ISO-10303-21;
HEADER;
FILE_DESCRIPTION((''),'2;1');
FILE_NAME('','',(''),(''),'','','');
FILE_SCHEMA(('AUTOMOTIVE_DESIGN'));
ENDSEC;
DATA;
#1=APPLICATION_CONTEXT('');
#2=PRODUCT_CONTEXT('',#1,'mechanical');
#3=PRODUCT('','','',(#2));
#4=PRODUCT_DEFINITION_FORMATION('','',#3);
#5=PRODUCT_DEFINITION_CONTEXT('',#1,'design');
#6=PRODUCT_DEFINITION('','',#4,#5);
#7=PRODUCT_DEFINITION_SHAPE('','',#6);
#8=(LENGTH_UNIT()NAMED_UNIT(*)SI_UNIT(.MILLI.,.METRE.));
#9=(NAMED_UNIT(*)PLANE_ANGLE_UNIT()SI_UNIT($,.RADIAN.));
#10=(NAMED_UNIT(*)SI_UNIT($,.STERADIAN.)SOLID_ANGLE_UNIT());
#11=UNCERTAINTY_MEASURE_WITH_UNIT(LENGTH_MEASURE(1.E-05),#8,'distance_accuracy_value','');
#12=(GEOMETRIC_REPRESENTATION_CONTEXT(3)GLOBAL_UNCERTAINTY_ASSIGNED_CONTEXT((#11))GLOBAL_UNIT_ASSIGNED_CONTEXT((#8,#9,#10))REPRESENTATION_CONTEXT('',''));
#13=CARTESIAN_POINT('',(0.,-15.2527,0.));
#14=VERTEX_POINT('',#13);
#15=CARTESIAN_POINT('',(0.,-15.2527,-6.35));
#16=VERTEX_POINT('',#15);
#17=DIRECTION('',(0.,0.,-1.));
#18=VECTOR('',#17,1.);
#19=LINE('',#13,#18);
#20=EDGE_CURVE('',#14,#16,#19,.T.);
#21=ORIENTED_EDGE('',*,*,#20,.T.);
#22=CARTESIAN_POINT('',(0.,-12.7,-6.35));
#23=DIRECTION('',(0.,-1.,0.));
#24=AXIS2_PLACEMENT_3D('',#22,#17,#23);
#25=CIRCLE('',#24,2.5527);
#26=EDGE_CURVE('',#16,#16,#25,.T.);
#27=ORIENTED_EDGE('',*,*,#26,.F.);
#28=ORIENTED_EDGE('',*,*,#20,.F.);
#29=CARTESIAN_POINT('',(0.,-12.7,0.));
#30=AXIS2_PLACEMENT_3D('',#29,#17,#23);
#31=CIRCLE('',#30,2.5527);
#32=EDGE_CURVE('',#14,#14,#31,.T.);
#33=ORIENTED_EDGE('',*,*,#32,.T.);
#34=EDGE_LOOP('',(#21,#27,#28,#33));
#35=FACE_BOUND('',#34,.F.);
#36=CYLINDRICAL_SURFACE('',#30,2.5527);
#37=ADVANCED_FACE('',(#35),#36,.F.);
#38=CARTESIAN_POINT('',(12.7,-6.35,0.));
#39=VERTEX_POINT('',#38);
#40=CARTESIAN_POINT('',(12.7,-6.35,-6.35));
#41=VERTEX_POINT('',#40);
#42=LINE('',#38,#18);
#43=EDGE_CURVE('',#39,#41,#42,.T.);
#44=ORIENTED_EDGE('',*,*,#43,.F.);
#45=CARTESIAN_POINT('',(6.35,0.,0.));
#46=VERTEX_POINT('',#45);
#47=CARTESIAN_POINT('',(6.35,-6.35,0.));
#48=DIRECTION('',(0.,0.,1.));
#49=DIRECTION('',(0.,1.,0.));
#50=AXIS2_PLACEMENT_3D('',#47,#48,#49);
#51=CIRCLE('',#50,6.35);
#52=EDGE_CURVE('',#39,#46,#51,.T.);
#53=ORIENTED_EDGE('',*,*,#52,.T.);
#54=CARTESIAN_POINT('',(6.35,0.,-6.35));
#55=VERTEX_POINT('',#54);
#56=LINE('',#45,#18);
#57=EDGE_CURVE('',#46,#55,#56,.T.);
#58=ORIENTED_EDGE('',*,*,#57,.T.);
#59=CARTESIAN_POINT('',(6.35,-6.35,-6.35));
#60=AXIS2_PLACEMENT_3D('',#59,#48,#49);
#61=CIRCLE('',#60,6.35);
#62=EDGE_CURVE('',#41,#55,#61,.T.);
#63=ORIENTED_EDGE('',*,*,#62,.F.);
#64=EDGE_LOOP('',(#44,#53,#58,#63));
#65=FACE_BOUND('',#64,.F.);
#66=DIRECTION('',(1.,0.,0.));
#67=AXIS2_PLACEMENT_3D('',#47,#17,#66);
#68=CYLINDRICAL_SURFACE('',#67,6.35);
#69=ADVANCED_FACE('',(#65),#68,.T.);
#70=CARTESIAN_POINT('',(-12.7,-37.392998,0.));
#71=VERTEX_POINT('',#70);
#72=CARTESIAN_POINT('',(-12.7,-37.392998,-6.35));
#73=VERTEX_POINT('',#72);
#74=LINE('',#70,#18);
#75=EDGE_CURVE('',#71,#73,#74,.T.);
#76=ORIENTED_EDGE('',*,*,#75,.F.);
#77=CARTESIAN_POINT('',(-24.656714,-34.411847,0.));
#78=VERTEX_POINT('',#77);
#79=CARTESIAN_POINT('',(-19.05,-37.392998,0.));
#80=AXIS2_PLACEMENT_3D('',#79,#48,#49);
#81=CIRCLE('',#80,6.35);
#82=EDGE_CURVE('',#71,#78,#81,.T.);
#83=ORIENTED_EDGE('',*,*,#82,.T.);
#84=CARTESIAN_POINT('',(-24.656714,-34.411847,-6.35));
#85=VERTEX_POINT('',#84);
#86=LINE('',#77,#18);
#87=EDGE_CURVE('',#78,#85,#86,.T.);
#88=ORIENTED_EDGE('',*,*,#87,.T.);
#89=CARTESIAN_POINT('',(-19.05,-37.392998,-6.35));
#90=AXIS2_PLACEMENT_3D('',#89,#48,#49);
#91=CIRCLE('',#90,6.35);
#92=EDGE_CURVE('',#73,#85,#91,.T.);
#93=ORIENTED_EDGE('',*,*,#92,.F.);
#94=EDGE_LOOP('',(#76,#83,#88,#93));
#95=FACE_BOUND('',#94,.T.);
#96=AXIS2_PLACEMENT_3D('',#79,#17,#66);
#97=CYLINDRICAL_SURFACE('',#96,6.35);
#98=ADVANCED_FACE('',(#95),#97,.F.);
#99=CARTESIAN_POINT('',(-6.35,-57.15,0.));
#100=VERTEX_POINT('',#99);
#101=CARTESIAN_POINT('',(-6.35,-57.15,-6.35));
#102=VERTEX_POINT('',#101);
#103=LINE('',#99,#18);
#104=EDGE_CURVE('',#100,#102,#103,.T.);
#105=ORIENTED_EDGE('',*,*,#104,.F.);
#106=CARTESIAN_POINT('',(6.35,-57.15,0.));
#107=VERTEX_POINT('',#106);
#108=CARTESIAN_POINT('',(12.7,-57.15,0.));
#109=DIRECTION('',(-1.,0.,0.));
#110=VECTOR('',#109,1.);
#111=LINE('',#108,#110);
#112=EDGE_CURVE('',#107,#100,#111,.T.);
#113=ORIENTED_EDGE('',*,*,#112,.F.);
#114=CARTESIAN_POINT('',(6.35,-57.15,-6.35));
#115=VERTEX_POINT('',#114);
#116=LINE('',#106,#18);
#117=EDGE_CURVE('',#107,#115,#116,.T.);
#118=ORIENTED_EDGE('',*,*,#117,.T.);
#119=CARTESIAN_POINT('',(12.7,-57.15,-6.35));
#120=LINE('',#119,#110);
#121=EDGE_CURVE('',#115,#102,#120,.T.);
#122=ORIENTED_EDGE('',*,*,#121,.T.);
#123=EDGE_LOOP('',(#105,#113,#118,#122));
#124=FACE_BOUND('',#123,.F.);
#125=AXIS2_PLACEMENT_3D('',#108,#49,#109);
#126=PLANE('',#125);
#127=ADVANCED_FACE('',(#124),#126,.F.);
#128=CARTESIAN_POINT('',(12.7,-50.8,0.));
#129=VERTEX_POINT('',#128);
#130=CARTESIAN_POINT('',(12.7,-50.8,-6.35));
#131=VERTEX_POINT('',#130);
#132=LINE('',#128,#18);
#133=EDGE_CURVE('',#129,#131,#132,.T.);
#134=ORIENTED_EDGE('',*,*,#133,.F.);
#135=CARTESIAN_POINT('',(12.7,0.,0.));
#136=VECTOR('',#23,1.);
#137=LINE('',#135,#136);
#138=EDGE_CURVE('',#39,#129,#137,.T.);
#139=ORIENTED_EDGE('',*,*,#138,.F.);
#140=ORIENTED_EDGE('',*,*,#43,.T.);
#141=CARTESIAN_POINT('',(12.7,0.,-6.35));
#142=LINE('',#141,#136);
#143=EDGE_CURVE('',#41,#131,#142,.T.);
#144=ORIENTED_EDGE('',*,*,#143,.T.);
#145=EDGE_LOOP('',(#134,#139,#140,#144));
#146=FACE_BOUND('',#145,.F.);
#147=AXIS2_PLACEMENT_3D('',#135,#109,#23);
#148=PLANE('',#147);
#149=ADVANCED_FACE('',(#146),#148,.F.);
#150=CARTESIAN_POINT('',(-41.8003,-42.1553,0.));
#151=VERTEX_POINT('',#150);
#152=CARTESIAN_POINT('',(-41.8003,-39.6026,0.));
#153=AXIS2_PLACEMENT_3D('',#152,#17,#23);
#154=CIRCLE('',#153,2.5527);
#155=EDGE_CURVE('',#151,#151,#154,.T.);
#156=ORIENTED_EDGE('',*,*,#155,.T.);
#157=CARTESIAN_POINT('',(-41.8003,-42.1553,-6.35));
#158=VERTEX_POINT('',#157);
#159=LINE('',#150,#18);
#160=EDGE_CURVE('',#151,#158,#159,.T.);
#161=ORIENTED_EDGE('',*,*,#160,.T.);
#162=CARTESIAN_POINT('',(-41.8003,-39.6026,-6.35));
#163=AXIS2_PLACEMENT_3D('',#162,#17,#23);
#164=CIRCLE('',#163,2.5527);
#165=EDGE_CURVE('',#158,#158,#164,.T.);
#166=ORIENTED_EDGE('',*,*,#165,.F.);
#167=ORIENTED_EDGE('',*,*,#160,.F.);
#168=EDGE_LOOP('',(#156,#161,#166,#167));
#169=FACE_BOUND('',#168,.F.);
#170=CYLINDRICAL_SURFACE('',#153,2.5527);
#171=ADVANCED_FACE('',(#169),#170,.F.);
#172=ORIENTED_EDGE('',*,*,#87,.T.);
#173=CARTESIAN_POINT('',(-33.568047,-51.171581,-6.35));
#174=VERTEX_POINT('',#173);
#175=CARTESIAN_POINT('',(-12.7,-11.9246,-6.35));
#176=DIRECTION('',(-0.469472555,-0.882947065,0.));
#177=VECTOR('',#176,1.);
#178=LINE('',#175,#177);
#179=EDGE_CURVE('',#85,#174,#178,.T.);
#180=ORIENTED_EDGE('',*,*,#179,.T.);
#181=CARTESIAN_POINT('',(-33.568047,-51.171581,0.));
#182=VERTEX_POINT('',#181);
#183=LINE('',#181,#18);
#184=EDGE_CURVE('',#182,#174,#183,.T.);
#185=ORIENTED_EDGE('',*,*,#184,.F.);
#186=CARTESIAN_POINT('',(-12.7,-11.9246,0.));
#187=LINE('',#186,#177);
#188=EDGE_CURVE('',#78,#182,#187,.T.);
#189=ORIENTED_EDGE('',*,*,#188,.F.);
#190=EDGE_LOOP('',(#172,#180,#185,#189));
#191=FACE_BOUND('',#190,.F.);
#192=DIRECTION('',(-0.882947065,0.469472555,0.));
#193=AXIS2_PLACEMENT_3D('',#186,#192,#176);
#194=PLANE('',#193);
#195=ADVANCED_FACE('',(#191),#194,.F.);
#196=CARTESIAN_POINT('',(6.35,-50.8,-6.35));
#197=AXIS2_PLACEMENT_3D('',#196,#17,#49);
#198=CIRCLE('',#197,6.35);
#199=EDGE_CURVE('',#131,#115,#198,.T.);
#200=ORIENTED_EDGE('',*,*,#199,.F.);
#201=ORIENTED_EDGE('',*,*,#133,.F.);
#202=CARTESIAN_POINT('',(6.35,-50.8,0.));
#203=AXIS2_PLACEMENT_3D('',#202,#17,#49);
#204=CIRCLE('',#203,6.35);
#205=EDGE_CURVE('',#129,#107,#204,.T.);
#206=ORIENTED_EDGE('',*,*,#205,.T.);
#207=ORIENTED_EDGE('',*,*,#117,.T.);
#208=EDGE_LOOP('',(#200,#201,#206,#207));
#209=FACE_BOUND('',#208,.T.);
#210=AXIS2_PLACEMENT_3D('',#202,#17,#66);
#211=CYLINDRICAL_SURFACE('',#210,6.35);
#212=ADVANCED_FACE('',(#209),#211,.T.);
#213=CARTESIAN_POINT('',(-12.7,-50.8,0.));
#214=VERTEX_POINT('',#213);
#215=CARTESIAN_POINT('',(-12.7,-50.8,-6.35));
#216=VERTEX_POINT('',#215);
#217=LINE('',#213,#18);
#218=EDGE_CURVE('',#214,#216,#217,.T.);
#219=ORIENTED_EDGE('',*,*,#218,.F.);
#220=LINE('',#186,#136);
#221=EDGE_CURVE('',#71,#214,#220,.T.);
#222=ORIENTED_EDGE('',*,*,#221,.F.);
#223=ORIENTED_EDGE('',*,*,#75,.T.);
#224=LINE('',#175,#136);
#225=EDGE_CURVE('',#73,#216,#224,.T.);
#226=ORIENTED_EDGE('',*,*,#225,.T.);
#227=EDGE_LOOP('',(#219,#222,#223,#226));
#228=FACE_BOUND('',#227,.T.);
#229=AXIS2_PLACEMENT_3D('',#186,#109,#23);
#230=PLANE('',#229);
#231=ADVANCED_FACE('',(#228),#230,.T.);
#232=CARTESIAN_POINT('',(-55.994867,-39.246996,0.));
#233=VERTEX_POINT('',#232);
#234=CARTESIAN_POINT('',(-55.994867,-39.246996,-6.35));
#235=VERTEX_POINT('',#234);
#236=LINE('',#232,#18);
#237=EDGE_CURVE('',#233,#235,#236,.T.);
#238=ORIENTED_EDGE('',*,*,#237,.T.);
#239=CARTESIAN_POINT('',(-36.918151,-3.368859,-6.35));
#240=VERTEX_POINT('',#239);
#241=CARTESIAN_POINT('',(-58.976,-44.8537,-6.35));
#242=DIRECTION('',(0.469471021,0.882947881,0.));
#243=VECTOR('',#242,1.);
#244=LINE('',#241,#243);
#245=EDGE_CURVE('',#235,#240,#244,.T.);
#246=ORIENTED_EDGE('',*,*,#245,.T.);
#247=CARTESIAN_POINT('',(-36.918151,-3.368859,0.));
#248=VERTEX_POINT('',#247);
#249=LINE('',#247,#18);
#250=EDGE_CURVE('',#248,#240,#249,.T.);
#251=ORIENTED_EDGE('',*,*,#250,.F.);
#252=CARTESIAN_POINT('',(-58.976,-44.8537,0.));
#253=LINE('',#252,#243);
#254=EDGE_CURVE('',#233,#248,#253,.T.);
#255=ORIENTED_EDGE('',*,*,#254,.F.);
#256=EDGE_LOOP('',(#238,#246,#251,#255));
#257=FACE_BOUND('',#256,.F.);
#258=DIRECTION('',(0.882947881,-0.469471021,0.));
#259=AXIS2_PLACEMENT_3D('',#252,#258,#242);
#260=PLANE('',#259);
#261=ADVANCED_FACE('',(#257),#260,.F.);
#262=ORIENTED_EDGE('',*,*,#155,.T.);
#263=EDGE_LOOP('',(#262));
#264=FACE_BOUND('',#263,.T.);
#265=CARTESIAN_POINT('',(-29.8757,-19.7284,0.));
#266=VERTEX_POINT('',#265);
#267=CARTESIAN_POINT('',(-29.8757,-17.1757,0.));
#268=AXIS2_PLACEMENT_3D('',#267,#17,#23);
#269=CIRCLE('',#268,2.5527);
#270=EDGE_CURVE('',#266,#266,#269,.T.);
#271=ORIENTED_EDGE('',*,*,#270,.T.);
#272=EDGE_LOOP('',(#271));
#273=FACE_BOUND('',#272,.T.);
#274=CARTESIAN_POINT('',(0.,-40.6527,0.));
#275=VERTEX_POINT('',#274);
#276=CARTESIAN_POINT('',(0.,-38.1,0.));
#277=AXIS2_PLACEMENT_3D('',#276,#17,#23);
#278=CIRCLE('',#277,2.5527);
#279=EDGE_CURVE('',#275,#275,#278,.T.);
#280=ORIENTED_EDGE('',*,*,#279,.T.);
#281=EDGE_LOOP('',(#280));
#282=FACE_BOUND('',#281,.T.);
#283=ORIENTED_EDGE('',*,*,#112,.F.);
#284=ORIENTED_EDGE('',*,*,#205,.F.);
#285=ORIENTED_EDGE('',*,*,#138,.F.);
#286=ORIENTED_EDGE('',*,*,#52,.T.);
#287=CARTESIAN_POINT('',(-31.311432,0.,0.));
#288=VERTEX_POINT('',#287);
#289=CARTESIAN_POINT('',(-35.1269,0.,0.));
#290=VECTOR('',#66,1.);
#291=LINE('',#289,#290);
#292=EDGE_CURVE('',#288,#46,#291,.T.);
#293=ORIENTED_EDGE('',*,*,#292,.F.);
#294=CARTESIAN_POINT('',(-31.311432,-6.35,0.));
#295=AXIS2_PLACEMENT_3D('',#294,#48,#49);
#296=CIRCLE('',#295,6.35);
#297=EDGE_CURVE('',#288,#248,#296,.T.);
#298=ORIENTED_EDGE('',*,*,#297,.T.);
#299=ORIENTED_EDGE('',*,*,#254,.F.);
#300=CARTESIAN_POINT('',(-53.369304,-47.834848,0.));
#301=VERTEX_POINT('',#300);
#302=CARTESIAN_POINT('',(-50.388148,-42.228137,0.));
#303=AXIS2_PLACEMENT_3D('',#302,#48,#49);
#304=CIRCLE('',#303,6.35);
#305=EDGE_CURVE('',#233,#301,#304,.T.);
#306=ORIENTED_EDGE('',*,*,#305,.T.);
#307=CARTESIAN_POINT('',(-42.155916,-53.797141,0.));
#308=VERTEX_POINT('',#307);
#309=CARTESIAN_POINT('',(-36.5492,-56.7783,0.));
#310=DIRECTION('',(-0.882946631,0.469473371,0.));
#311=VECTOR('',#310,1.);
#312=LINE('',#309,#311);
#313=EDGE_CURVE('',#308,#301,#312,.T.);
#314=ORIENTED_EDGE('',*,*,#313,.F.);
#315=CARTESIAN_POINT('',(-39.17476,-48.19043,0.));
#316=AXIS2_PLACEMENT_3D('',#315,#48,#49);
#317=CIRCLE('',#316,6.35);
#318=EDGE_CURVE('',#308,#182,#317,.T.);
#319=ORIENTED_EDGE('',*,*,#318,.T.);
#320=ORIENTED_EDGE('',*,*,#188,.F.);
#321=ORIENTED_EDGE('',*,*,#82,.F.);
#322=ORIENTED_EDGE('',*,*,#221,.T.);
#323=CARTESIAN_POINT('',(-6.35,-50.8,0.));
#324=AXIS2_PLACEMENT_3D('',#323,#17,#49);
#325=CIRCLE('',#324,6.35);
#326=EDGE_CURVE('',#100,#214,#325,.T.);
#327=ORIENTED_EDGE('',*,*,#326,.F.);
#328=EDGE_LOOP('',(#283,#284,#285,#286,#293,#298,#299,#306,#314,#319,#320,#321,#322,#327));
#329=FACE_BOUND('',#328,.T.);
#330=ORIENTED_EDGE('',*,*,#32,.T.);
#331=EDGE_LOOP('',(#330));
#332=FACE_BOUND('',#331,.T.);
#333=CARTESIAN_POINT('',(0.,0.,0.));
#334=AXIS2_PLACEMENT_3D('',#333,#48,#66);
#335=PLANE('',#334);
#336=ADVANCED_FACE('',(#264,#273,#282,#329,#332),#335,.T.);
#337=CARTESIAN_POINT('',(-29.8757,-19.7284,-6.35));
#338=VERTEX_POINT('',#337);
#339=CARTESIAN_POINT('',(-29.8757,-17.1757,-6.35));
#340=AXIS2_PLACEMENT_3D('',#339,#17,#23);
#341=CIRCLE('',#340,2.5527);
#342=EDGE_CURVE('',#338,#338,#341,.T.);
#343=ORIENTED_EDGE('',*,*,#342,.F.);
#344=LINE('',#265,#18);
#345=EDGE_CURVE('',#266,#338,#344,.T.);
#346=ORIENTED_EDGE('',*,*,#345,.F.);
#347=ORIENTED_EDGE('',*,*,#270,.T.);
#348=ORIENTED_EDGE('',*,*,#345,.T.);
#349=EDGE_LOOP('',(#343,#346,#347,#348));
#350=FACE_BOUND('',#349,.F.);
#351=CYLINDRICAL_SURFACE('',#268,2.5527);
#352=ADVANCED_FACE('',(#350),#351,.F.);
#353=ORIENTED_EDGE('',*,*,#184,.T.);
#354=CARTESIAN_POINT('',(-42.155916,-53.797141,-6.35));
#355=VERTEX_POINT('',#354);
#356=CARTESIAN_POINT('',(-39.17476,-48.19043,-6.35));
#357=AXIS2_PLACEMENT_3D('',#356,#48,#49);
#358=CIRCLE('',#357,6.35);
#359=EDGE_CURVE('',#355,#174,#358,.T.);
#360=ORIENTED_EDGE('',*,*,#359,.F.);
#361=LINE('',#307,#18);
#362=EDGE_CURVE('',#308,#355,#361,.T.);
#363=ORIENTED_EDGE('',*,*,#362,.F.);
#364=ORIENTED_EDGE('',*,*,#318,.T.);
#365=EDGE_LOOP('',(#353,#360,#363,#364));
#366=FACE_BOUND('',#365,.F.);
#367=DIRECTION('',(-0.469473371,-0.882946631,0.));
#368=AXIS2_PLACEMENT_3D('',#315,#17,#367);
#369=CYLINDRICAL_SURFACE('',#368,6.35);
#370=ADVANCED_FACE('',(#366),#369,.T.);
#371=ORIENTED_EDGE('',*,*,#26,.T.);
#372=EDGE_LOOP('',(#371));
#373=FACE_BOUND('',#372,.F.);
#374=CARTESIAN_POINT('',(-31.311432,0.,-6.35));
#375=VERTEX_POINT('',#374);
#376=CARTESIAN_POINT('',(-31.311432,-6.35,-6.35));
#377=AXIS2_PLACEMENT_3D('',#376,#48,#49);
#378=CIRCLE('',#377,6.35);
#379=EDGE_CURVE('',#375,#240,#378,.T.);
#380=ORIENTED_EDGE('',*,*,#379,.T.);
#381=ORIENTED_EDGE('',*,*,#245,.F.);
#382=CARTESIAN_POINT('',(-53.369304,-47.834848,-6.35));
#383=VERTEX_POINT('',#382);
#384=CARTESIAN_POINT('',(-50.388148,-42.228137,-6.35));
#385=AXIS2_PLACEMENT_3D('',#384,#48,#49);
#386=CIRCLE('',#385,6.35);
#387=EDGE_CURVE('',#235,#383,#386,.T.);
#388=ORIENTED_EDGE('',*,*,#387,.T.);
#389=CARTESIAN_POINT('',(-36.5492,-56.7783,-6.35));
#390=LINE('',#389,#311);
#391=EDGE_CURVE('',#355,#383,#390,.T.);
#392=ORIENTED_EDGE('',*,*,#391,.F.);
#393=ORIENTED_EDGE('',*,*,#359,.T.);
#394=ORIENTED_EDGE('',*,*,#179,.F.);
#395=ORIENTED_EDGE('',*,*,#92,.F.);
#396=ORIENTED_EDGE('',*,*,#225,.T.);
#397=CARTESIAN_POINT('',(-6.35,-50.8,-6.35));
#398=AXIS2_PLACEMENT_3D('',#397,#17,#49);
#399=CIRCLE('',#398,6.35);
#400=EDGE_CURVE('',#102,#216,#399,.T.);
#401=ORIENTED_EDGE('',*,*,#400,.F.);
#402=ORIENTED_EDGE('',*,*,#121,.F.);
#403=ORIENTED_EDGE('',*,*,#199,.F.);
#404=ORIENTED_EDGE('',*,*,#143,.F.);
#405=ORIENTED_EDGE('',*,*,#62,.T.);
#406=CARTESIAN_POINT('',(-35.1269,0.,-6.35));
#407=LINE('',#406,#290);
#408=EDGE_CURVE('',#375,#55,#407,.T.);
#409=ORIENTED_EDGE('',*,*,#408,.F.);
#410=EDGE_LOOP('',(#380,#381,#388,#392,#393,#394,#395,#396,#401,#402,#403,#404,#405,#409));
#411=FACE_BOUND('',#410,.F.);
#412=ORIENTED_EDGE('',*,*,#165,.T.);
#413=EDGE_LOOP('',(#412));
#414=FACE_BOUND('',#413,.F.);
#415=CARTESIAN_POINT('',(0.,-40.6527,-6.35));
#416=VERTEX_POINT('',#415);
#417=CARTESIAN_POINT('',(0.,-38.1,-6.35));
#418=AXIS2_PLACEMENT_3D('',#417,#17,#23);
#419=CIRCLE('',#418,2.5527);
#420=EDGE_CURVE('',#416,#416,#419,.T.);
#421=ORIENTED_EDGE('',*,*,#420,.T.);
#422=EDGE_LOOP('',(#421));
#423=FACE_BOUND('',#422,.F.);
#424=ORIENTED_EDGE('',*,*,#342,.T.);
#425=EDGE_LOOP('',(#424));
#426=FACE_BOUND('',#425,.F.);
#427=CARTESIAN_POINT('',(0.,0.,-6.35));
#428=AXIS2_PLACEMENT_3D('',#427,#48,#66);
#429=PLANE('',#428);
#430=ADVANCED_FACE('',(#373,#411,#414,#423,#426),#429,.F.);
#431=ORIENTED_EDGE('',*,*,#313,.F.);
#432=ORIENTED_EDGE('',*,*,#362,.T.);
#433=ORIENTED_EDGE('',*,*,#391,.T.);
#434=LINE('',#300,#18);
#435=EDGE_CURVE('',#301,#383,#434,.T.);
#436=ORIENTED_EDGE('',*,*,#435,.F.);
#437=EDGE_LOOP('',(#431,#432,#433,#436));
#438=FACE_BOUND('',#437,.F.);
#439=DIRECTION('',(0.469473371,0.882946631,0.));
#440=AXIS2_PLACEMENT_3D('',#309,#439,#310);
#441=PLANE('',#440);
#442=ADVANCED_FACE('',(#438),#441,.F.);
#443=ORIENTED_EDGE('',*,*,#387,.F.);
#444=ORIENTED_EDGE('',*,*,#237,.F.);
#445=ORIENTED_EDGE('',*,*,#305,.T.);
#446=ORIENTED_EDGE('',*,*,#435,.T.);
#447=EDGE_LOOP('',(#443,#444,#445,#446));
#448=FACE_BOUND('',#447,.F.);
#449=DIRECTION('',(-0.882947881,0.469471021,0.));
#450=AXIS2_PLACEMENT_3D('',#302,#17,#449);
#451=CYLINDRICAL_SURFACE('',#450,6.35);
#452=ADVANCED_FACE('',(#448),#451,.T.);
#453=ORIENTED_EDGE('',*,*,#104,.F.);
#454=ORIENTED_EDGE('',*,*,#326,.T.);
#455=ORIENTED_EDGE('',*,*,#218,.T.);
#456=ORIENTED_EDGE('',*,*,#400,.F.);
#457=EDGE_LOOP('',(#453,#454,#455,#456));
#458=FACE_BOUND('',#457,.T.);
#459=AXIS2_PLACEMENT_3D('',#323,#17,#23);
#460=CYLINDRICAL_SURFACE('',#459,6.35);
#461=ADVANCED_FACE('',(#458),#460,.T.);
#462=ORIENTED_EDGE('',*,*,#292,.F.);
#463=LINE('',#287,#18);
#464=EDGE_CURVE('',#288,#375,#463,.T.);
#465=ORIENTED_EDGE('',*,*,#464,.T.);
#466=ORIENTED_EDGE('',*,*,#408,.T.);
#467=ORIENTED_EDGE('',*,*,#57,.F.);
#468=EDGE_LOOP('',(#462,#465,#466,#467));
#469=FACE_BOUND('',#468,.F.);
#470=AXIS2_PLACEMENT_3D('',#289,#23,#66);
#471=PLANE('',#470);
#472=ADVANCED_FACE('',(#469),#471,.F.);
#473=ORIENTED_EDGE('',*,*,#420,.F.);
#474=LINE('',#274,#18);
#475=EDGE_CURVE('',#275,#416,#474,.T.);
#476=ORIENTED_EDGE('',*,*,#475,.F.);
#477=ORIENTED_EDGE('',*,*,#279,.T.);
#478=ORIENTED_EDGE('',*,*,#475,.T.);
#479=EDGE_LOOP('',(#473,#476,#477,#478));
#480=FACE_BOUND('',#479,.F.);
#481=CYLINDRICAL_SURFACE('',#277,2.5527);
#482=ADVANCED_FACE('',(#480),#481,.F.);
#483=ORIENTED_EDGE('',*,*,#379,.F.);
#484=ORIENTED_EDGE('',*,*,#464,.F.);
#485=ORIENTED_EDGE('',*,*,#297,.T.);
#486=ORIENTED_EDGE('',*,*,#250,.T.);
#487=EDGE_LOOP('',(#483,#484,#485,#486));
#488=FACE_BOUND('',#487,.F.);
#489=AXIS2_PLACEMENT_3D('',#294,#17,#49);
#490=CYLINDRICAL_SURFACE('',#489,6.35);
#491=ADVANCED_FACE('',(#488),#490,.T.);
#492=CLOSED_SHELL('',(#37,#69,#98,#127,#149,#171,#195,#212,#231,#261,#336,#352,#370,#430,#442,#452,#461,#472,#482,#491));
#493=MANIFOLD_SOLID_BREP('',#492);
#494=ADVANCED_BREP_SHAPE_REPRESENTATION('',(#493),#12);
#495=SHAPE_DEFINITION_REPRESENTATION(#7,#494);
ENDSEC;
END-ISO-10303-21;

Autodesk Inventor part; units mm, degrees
ref_plane "YZ Plane" through (0, 0, 0) normal (1, 0, 0) x (0, 1, 0)
ref_plane "XZ Plane" through (0, 0, 0) normal (0, 1, 0) x (-1, 0, 0)
ref_plane "XY Plane" through (0, 0, 0) normal (0, 0, 1) x (1, 0, 0)
sketch "Sketch1" plane through (0, 0, 0) normal (0, 0, 1) x (1, 0, 0)
  line L0 (-12.7, 0) -> (12.7, 0) construction
  line L1 (12.7, 0) -> (12.7, -57.15)
  line L2 (12.7, -57.15) -> (-12.7, -57.15)
  line L3 (-12.7, -57.15) -> (-12.7, 0) construction
  line L4 (-35.1269, 0) -> (-12.7, -11.9246) construction
  line L5 (-12.7, -11.9246) -> (-36.5492, -56.7783)
  line L6 (-36.5492, -56.7783) -> (-58.976, -44.8537)
  line L7 (-58.976, -44.8537) -> (-35.1269, 0)
  line L8 (-23.9134, -5.9623) -> (-47.7626, -50.816) construction
  line L9 (-35.1269, 0) -> (12.7, 0)
  line L10 (-12.7, -11.9246) -> (-12.7, -57.15)
  point P0 (0, 0)
  point P1 (0, 0)
  point P2 (-29.8757, -17.1757)
  point P3 (-41.8003, -39.6026)
  point P4 (0, -12.7)
  point P5 (0, -38.1)
  dimension "d0" = 25.4
  dimension "d1" = 25.4
  dimension "d2" = 28
  dimension "d3" = 50.8
  dimension "d4" = 25.4
  dimension "d5" = 12.7
  dimension "d6" = 25.4
  dimension "d7" = 12.7
  dimension "d8" = 57.15
extrude "Extrusion1" add sketch "Sketch1" against normal blind 6.35
hole "Hole1" at (-29.8757, -17.1757, 0) at (-41.8003, -39.6026, 0) at (0, -12.7, 0) at (0, -38.1, 0) direction (0, 0, -1) diameter 5.1054 end through all clearance for "Flat Head Machine Screw (82)" size "#10" standard "Ansi Unified Screw Threads"
fillet "Fillet1" radius 6.35 7 edges at (12.7, 0, -3.175) (12.7, -57.15, -3.175) (-12.7, -57.15, -3.175) (-12.7, -11.9246, -3.175) (-36.5492, -56.7783, -3.175) (-58.976, -44.8537, -3.175) (-35.1269, 0, -3.175)
properties part number "CL4-009" material "Aluminum 6061"
